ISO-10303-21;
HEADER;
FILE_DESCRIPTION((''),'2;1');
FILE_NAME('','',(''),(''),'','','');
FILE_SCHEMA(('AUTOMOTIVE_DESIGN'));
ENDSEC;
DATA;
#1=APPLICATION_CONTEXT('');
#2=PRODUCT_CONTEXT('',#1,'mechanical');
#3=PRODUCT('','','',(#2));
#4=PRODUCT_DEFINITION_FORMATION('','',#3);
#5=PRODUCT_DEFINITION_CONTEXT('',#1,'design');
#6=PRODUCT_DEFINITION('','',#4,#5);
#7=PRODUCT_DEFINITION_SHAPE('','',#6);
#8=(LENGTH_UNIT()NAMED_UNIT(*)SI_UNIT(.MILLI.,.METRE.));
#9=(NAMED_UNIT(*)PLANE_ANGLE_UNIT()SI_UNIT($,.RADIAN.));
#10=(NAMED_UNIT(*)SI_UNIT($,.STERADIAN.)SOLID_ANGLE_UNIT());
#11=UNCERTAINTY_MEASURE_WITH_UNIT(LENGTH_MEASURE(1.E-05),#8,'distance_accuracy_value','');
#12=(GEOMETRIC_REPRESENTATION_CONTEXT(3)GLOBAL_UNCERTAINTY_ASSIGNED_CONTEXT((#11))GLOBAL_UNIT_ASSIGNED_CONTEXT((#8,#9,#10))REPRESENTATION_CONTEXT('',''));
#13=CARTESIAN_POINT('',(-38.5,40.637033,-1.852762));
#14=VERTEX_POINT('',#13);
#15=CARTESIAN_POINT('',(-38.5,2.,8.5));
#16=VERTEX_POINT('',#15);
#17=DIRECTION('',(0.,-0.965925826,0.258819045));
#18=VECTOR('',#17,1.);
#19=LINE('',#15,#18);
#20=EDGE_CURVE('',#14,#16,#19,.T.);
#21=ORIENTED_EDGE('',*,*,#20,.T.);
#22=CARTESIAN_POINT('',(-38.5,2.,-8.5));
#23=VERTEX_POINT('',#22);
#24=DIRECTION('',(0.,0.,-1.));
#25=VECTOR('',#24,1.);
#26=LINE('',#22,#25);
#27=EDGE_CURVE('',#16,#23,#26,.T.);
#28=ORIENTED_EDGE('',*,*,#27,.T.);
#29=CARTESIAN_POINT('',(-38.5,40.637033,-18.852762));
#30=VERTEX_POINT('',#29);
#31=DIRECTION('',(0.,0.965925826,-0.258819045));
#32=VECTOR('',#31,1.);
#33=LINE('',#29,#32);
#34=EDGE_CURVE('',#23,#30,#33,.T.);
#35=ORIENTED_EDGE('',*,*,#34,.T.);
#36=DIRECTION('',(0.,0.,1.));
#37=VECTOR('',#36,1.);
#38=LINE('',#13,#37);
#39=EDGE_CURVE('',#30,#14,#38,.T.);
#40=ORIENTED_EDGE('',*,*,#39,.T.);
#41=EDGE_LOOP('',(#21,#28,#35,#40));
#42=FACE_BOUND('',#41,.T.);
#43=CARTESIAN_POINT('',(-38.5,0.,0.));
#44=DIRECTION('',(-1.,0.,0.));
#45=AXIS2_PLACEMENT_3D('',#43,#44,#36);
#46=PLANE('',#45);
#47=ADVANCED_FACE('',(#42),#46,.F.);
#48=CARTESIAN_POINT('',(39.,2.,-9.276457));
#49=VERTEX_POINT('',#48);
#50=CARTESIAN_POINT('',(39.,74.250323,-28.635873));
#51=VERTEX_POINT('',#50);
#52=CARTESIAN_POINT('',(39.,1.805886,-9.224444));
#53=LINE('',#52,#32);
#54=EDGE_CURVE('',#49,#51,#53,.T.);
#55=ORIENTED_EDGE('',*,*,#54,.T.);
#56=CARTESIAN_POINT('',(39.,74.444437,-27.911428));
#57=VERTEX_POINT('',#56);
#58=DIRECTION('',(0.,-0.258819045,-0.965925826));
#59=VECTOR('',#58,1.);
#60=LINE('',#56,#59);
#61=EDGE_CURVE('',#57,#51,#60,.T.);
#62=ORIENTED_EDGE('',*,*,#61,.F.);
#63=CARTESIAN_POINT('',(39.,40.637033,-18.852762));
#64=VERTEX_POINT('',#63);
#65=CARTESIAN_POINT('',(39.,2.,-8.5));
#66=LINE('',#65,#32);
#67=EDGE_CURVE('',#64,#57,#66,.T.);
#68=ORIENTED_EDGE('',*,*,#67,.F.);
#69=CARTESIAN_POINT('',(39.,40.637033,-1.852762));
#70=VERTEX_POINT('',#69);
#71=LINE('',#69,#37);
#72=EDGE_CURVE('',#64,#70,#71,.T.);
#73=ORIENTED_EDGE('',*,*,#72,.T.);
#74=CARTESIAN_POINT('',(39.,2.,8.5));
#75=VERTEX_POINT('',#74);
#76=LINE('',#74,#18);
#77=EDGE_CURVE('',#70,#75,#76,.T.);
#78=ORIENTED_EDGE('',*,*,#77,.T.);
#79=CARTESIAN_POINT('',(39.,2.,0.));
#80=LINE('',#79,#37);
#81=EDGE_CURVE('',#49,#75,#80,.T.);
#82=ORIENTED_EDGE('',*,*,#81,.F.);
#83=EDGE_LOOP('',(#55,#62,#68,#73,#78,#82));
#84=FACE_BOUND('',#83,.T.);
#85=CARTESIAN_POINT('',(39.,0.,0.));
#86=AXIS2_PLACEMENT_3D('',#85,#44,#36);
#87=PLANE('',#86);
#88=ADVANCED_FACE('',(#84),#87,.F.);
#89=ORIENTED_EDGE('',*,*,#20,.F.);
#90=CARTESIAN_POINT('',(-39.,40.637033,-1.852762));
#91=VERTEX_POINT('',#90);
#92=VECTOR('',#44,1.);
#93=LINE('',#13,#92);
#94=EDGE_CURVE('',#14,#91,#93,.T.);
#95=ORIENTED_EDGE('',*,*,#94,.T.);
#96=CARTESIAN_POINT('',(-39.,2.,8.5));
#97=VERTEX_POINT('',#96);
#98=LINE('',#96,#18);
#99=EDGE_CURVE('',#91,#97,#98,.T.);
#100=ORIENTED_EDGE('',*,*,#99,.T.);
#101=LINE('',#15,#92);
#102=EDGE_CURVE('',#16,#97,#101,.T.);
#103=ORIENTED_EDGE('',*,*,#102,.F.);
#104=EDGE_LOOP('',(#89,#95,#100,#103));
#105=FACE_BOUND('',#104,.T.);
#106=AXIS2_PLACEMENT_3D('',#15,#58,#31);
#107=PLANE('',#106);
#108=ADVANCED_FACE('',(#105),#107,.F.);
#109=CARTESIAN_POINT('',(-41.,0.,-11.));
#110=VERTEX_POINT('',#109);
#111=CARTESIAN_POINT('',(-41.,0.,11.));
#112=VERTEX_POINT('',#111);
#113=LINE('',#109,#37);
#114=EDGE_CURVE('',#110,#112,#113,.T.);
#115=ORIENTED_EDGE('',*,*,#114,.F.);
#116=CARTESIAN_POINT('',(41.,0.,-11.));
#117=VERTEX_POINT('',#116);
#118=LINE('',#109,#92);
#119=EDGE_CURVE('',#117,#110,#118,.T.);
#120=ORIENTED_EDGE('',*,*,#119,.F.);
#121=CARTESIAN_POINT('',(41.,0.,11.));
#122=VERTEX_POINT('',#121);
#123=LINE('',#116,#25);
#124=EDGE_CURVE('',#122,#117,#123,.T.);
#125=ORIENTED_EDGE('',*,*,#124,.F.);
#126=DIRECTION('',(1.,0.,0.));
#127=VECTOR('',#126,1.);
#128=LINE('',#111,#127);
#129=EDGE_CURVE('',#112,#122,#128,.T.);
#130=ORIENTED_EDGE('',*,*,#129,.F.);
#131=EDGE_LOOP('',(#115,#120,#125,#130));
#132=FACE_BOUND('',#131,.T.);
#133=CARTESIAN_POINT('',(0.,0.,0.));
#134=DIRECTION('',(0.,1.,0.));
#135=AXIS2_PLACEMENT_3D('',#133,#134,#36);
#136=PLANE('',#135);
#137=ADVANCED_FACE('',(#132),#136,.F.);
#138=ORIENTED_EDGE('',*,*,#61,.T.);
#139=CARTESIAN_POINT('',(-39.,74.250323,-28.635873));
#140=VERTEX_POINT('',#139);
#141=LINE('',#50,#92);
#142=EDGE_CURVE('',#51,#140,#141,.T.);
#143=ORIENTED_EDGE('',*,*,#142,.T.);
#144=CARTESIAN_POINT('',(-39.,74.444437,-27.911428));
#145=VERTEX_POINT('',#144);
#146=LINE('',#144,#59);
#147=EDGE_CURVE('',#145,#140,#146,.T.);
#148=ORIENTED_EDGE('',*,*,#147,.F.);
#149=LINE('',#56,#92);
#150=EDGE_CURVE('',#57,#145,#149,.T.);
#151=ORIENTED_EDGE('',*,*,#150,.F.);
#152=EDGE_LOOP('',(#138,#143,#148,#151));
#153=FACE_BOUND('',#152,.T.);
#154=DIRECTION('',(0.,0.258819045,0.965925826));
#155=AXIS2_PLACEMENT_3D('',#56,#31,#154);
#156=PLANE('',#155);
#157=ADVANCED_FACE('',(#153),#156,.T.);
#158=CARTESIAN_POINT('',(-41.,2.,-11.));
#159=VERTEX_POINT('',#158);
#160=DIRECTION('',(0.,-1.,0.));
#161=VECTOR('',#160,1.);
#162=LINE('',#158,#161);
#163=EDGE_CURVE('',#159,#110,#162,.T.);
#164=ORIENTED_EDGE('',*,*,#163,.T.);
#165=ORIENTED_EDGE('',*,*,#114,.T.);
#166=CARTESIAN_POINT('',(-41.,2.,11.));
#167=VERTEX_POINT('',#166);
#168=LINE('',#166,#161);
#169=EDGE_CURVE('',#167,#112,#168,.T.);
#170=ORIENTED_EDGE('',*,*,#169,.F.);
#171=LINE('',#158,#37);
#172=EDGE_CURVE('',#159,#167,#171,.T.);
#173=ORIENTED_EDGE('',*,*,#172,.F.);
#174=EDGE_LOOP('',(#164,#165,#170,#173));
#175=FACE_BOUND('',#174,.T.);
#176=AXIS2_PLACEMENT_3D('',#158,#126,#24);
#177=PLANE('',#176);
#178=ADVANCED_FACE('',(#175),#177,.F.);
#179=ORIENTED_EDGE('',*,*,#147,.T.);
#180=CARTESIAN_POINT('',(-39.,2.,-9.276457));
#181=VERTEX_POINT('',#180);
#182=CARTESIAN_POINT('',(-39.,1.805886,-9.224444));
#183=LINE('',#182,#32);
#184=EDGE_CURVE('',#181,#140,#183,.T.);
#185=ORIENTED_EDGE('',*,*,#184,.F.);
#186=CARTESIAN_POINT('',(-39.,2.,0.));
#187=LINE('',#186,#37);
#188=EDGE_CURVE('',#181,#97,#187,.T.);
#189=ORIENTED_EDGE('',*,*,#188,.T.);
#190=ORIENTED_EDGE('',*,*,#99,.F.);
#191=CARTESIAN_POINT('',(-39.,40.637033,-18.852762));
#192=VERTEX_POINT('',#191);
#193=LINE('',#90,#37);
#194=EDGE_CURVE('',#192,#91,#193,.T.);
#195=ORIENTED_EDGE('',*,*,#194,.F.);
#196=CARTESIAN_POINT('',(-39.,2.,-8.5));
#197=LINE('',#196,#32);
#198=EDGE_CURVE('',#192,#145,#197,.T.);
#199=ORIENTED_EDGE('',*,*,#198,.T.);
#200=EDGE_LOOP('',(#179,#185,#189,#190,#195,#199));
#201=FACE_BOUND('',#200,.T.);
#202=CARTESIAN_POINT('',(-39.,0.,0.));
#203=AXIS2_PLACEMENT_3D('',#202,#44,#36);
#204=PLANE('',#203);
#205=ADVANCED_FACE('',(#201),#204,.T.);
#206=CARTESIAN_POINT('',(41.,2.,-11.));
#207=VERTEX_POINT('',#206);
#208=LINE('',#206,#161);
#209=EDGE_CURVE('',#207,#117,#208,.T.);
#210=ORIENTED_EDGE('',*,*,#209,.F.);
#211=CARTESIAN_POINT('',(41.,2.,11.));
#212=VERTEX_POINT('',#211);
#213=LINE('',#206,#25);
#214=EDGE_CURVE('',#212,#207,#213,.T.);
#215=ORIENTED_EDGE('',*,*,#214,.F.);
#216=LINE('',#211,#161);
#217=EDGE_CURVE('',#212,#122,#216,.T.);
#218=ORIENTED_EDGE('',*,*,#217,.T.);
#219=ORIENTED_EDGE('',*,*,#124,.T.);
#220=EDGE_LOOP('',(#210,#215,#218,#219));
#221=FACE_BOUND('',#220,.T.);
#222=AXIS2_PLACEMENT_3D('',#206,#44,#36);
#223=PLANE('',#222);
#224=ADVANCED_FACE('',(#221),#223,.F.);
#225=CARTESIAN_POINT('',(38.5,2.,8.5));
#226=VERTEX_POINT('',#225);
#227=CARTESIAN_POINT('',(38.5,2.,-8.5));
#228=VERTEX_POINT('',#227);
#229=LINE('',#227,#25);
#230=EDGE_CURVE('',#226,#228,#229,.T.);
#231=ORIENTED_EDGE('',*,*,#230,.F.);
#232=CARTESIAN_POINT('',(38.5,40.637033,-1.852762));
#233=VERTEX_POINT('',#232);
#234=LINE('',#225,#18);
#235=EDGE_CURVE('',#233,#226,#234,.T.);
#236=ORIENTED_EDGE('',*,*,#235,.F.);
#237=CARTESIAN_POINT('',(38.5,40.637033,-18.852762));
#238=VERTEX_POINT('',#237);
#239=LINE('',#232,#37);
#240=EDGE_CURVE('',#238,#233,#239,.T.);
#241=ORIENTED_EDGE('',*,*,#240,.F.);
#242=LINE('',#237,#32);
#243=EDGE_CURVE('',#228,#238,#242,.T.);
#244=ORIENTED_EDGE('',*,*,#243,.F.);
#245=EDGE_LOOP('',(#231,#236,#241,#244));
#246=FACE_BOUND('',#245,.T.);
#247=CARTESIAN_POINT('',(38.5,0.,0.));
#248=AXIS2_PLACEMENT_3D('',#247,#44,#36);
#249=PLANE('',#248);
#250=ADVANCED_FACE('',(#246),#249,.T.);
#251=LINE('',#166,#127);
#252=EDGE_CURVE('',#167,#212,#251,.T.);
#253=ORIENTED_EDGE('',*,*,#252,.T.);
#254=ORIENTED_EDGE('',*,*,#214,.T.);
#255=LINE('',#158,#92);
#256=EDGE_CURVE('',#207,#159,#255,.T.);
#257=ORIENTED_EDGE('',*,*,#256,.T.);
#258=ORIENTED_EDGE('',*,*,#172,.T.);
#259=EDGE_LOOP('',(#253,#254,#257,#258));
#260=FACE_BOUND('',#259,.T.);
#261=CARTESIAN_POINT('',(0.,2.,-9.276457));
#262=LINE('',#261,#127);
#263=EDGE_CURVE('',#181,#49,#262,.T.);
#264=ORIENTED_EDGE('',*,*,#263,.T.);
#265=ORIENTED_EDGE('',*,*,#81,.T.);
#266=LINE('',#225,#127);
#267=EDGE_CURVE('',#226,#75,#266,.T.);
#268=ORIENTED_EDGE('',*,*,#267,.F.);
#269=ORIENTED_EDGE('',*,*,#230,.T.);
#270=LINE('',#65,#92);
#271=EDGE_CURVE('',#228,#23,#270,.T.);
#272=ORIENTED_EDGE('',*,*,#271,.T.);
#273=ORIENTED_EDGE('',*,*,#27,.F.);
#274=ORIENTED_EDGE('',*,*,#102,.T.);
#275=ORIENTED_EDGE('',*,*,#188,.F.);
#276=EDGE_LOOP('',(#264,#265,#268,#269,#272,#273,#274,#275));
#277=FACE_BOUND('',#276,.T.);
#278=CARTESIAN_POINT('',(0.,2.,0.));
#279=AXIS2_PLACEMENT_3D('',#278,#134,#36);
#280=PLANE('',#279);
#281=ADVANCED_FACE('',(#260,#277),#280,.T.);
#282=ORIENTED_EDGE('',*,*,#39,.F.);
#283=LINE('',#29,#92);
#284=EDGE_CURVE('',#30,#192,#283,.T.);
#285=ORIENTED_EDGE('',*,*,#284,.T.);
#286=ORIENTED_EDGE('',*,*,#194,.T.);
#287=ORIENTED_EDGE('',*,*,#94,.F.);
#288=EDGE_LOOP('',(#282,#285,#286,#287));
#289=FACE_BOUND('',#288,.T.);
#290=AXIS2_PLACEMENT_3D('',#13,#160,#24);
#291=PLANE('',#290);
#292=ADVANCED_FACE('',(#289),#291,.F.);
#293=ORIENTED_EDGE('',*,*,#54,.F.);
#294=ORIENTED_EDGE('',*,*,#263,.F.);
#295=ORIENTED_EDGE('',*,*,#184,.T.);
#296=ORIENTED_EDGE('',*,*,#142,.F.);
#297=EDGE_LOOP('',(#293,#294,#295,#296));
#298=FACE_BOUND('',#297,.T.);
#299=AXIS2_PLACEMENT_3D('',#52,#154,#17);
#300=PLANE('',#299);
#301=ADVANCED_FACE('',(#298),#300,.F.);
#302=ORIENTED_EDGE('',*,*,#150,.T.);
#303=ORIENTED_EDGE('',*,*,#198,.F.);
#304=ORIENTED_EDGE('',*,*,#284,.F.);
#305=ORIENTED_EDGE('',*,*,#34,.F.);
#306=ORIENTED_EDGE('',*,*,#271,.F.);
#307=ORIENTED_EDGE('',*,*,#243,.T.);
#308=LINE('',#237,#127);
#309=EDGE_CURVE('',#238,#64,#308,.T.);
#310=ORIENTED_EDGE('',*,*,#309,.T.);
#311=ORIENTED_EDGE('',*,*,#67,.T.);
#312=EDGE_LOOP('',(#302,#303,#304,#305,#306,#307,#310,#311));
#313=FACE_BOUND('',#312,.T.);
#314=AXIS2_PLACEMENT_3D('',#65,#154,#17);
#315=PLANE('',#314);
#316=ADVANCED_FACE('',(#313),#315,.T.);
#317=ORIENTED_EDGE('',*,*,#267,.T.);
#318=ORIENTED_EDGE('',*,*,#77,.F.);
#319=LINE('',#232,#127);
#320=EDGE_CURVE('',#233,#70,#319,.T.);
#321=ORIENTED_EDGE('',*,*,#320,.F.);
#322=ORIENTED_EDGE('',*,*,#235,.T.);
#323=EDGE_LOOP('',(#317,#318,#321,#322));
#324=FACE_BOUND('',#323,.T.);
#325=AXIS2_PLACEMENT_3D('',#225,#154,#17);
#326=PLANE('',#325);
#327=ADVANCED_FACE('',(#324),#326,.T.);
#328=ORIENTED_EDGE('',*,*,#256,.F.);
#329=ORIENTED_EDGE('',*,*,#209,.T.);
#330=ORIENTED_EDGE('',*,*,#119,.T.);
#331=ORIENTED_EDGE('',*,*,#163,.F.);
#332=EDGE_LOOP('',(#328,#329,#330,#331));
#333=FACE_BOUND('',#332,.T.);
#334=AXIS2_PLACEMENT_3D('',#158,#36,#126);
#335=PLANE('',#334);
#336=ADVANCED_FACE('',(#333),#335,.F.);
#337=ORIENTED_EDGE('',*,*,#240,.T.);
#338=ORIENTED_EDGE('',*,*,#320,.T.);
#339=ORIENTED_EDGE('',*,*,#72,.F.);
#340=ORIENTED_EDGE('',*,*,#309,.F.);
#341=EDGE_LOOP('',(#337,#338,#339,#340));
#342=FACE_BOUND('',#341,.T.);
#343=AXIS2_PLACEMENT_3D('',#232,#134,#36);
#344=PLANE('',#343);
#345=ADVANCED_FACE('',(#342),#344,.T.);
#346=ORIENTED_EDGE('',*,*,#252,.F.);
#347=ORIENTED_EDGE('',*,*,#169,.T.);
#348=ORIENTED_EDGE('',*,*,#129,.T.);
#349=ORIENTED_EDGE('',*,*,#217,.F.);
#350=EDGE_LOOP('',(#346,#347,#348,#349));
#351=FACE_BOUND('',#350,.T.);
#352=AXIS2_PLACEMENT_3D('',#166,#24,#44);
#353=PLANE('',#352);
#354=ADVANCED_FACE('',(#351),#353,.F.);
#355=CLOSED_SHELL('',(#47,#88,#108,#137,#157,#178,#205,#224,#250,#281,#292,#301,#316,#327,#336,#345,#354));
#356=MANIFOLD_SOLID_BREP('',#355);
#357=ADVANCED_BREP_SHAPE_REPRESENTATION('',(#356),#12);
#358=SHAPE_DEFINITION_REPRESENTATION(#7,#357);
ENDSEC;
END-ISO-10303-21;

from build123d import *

# Parameters (mm, degrees)
SKETCH1_W           = 82
SKETCH1_H           = 22
BOSS_EXTRUDE1_DEPTH = 2
EXTRUDE_THIN2_DEPTH = 78
BOSS_EXTRUDE2_DEPTH = 0.5
BOSS_EXTRUDE3_DEPTH = 0.5


with BuildPart() as part:
    # Sketch1 → Boss-Extrude1 (new body)
    with BuildSketch(Plane(origin=(0, 0, 0), x_dir=(1, 0, 0), z_dir=(0, 1, 0))):
        Rectangle(SKETCH1_W, SKETCH1_H)
    extrude(amount=BOSS_EXTRUDE1_DEPTH)

    # Sketch4 → Extrude-Thin2 (add)
    with BuildSketch(Plane(origin=(-39, 0, 0), x_dir=(0, 0, -1), z_dir=(1, 0, 0))):
        Polygon((8.5, 2), (27.911428383, 74.444436972), (28.635872752, 74.250322688), (9.22444437, 1.805885716), align=None)
    extrude(amount=EXTRUDE_THIN2_DEPTH)

    # Sketch5 → Boss-Extrude2 (add)
    with BuildSketch(Plane(origin=(39, 0, 0), x_dir=(0, 0, -1), z_dir=(1, 0, 0))):
        Polygon((-8.5, 2), (1.852761804, 40.637033052), (18.852761804, 40.637033052), (8.5, 2), align=None)
    extrude(amount=-BOSS_EXTRUDE2_DEPTH)

    # Sketch6 → Boss-Extrude3 (add)
    with BuildSketch(Plane(origin=(-39, 0, 0), x_dir=(0, 0, -1), z_dir=(1, 0, 0))):
        Polygon((-8.5, 2), (1.852761804, 40.637033052), (18.852761804, 40.637033052), (8.5, 2), align=None)
    extrude(amount=BOSS_EXTRUDE3_DEPTH)


solid = part.part
